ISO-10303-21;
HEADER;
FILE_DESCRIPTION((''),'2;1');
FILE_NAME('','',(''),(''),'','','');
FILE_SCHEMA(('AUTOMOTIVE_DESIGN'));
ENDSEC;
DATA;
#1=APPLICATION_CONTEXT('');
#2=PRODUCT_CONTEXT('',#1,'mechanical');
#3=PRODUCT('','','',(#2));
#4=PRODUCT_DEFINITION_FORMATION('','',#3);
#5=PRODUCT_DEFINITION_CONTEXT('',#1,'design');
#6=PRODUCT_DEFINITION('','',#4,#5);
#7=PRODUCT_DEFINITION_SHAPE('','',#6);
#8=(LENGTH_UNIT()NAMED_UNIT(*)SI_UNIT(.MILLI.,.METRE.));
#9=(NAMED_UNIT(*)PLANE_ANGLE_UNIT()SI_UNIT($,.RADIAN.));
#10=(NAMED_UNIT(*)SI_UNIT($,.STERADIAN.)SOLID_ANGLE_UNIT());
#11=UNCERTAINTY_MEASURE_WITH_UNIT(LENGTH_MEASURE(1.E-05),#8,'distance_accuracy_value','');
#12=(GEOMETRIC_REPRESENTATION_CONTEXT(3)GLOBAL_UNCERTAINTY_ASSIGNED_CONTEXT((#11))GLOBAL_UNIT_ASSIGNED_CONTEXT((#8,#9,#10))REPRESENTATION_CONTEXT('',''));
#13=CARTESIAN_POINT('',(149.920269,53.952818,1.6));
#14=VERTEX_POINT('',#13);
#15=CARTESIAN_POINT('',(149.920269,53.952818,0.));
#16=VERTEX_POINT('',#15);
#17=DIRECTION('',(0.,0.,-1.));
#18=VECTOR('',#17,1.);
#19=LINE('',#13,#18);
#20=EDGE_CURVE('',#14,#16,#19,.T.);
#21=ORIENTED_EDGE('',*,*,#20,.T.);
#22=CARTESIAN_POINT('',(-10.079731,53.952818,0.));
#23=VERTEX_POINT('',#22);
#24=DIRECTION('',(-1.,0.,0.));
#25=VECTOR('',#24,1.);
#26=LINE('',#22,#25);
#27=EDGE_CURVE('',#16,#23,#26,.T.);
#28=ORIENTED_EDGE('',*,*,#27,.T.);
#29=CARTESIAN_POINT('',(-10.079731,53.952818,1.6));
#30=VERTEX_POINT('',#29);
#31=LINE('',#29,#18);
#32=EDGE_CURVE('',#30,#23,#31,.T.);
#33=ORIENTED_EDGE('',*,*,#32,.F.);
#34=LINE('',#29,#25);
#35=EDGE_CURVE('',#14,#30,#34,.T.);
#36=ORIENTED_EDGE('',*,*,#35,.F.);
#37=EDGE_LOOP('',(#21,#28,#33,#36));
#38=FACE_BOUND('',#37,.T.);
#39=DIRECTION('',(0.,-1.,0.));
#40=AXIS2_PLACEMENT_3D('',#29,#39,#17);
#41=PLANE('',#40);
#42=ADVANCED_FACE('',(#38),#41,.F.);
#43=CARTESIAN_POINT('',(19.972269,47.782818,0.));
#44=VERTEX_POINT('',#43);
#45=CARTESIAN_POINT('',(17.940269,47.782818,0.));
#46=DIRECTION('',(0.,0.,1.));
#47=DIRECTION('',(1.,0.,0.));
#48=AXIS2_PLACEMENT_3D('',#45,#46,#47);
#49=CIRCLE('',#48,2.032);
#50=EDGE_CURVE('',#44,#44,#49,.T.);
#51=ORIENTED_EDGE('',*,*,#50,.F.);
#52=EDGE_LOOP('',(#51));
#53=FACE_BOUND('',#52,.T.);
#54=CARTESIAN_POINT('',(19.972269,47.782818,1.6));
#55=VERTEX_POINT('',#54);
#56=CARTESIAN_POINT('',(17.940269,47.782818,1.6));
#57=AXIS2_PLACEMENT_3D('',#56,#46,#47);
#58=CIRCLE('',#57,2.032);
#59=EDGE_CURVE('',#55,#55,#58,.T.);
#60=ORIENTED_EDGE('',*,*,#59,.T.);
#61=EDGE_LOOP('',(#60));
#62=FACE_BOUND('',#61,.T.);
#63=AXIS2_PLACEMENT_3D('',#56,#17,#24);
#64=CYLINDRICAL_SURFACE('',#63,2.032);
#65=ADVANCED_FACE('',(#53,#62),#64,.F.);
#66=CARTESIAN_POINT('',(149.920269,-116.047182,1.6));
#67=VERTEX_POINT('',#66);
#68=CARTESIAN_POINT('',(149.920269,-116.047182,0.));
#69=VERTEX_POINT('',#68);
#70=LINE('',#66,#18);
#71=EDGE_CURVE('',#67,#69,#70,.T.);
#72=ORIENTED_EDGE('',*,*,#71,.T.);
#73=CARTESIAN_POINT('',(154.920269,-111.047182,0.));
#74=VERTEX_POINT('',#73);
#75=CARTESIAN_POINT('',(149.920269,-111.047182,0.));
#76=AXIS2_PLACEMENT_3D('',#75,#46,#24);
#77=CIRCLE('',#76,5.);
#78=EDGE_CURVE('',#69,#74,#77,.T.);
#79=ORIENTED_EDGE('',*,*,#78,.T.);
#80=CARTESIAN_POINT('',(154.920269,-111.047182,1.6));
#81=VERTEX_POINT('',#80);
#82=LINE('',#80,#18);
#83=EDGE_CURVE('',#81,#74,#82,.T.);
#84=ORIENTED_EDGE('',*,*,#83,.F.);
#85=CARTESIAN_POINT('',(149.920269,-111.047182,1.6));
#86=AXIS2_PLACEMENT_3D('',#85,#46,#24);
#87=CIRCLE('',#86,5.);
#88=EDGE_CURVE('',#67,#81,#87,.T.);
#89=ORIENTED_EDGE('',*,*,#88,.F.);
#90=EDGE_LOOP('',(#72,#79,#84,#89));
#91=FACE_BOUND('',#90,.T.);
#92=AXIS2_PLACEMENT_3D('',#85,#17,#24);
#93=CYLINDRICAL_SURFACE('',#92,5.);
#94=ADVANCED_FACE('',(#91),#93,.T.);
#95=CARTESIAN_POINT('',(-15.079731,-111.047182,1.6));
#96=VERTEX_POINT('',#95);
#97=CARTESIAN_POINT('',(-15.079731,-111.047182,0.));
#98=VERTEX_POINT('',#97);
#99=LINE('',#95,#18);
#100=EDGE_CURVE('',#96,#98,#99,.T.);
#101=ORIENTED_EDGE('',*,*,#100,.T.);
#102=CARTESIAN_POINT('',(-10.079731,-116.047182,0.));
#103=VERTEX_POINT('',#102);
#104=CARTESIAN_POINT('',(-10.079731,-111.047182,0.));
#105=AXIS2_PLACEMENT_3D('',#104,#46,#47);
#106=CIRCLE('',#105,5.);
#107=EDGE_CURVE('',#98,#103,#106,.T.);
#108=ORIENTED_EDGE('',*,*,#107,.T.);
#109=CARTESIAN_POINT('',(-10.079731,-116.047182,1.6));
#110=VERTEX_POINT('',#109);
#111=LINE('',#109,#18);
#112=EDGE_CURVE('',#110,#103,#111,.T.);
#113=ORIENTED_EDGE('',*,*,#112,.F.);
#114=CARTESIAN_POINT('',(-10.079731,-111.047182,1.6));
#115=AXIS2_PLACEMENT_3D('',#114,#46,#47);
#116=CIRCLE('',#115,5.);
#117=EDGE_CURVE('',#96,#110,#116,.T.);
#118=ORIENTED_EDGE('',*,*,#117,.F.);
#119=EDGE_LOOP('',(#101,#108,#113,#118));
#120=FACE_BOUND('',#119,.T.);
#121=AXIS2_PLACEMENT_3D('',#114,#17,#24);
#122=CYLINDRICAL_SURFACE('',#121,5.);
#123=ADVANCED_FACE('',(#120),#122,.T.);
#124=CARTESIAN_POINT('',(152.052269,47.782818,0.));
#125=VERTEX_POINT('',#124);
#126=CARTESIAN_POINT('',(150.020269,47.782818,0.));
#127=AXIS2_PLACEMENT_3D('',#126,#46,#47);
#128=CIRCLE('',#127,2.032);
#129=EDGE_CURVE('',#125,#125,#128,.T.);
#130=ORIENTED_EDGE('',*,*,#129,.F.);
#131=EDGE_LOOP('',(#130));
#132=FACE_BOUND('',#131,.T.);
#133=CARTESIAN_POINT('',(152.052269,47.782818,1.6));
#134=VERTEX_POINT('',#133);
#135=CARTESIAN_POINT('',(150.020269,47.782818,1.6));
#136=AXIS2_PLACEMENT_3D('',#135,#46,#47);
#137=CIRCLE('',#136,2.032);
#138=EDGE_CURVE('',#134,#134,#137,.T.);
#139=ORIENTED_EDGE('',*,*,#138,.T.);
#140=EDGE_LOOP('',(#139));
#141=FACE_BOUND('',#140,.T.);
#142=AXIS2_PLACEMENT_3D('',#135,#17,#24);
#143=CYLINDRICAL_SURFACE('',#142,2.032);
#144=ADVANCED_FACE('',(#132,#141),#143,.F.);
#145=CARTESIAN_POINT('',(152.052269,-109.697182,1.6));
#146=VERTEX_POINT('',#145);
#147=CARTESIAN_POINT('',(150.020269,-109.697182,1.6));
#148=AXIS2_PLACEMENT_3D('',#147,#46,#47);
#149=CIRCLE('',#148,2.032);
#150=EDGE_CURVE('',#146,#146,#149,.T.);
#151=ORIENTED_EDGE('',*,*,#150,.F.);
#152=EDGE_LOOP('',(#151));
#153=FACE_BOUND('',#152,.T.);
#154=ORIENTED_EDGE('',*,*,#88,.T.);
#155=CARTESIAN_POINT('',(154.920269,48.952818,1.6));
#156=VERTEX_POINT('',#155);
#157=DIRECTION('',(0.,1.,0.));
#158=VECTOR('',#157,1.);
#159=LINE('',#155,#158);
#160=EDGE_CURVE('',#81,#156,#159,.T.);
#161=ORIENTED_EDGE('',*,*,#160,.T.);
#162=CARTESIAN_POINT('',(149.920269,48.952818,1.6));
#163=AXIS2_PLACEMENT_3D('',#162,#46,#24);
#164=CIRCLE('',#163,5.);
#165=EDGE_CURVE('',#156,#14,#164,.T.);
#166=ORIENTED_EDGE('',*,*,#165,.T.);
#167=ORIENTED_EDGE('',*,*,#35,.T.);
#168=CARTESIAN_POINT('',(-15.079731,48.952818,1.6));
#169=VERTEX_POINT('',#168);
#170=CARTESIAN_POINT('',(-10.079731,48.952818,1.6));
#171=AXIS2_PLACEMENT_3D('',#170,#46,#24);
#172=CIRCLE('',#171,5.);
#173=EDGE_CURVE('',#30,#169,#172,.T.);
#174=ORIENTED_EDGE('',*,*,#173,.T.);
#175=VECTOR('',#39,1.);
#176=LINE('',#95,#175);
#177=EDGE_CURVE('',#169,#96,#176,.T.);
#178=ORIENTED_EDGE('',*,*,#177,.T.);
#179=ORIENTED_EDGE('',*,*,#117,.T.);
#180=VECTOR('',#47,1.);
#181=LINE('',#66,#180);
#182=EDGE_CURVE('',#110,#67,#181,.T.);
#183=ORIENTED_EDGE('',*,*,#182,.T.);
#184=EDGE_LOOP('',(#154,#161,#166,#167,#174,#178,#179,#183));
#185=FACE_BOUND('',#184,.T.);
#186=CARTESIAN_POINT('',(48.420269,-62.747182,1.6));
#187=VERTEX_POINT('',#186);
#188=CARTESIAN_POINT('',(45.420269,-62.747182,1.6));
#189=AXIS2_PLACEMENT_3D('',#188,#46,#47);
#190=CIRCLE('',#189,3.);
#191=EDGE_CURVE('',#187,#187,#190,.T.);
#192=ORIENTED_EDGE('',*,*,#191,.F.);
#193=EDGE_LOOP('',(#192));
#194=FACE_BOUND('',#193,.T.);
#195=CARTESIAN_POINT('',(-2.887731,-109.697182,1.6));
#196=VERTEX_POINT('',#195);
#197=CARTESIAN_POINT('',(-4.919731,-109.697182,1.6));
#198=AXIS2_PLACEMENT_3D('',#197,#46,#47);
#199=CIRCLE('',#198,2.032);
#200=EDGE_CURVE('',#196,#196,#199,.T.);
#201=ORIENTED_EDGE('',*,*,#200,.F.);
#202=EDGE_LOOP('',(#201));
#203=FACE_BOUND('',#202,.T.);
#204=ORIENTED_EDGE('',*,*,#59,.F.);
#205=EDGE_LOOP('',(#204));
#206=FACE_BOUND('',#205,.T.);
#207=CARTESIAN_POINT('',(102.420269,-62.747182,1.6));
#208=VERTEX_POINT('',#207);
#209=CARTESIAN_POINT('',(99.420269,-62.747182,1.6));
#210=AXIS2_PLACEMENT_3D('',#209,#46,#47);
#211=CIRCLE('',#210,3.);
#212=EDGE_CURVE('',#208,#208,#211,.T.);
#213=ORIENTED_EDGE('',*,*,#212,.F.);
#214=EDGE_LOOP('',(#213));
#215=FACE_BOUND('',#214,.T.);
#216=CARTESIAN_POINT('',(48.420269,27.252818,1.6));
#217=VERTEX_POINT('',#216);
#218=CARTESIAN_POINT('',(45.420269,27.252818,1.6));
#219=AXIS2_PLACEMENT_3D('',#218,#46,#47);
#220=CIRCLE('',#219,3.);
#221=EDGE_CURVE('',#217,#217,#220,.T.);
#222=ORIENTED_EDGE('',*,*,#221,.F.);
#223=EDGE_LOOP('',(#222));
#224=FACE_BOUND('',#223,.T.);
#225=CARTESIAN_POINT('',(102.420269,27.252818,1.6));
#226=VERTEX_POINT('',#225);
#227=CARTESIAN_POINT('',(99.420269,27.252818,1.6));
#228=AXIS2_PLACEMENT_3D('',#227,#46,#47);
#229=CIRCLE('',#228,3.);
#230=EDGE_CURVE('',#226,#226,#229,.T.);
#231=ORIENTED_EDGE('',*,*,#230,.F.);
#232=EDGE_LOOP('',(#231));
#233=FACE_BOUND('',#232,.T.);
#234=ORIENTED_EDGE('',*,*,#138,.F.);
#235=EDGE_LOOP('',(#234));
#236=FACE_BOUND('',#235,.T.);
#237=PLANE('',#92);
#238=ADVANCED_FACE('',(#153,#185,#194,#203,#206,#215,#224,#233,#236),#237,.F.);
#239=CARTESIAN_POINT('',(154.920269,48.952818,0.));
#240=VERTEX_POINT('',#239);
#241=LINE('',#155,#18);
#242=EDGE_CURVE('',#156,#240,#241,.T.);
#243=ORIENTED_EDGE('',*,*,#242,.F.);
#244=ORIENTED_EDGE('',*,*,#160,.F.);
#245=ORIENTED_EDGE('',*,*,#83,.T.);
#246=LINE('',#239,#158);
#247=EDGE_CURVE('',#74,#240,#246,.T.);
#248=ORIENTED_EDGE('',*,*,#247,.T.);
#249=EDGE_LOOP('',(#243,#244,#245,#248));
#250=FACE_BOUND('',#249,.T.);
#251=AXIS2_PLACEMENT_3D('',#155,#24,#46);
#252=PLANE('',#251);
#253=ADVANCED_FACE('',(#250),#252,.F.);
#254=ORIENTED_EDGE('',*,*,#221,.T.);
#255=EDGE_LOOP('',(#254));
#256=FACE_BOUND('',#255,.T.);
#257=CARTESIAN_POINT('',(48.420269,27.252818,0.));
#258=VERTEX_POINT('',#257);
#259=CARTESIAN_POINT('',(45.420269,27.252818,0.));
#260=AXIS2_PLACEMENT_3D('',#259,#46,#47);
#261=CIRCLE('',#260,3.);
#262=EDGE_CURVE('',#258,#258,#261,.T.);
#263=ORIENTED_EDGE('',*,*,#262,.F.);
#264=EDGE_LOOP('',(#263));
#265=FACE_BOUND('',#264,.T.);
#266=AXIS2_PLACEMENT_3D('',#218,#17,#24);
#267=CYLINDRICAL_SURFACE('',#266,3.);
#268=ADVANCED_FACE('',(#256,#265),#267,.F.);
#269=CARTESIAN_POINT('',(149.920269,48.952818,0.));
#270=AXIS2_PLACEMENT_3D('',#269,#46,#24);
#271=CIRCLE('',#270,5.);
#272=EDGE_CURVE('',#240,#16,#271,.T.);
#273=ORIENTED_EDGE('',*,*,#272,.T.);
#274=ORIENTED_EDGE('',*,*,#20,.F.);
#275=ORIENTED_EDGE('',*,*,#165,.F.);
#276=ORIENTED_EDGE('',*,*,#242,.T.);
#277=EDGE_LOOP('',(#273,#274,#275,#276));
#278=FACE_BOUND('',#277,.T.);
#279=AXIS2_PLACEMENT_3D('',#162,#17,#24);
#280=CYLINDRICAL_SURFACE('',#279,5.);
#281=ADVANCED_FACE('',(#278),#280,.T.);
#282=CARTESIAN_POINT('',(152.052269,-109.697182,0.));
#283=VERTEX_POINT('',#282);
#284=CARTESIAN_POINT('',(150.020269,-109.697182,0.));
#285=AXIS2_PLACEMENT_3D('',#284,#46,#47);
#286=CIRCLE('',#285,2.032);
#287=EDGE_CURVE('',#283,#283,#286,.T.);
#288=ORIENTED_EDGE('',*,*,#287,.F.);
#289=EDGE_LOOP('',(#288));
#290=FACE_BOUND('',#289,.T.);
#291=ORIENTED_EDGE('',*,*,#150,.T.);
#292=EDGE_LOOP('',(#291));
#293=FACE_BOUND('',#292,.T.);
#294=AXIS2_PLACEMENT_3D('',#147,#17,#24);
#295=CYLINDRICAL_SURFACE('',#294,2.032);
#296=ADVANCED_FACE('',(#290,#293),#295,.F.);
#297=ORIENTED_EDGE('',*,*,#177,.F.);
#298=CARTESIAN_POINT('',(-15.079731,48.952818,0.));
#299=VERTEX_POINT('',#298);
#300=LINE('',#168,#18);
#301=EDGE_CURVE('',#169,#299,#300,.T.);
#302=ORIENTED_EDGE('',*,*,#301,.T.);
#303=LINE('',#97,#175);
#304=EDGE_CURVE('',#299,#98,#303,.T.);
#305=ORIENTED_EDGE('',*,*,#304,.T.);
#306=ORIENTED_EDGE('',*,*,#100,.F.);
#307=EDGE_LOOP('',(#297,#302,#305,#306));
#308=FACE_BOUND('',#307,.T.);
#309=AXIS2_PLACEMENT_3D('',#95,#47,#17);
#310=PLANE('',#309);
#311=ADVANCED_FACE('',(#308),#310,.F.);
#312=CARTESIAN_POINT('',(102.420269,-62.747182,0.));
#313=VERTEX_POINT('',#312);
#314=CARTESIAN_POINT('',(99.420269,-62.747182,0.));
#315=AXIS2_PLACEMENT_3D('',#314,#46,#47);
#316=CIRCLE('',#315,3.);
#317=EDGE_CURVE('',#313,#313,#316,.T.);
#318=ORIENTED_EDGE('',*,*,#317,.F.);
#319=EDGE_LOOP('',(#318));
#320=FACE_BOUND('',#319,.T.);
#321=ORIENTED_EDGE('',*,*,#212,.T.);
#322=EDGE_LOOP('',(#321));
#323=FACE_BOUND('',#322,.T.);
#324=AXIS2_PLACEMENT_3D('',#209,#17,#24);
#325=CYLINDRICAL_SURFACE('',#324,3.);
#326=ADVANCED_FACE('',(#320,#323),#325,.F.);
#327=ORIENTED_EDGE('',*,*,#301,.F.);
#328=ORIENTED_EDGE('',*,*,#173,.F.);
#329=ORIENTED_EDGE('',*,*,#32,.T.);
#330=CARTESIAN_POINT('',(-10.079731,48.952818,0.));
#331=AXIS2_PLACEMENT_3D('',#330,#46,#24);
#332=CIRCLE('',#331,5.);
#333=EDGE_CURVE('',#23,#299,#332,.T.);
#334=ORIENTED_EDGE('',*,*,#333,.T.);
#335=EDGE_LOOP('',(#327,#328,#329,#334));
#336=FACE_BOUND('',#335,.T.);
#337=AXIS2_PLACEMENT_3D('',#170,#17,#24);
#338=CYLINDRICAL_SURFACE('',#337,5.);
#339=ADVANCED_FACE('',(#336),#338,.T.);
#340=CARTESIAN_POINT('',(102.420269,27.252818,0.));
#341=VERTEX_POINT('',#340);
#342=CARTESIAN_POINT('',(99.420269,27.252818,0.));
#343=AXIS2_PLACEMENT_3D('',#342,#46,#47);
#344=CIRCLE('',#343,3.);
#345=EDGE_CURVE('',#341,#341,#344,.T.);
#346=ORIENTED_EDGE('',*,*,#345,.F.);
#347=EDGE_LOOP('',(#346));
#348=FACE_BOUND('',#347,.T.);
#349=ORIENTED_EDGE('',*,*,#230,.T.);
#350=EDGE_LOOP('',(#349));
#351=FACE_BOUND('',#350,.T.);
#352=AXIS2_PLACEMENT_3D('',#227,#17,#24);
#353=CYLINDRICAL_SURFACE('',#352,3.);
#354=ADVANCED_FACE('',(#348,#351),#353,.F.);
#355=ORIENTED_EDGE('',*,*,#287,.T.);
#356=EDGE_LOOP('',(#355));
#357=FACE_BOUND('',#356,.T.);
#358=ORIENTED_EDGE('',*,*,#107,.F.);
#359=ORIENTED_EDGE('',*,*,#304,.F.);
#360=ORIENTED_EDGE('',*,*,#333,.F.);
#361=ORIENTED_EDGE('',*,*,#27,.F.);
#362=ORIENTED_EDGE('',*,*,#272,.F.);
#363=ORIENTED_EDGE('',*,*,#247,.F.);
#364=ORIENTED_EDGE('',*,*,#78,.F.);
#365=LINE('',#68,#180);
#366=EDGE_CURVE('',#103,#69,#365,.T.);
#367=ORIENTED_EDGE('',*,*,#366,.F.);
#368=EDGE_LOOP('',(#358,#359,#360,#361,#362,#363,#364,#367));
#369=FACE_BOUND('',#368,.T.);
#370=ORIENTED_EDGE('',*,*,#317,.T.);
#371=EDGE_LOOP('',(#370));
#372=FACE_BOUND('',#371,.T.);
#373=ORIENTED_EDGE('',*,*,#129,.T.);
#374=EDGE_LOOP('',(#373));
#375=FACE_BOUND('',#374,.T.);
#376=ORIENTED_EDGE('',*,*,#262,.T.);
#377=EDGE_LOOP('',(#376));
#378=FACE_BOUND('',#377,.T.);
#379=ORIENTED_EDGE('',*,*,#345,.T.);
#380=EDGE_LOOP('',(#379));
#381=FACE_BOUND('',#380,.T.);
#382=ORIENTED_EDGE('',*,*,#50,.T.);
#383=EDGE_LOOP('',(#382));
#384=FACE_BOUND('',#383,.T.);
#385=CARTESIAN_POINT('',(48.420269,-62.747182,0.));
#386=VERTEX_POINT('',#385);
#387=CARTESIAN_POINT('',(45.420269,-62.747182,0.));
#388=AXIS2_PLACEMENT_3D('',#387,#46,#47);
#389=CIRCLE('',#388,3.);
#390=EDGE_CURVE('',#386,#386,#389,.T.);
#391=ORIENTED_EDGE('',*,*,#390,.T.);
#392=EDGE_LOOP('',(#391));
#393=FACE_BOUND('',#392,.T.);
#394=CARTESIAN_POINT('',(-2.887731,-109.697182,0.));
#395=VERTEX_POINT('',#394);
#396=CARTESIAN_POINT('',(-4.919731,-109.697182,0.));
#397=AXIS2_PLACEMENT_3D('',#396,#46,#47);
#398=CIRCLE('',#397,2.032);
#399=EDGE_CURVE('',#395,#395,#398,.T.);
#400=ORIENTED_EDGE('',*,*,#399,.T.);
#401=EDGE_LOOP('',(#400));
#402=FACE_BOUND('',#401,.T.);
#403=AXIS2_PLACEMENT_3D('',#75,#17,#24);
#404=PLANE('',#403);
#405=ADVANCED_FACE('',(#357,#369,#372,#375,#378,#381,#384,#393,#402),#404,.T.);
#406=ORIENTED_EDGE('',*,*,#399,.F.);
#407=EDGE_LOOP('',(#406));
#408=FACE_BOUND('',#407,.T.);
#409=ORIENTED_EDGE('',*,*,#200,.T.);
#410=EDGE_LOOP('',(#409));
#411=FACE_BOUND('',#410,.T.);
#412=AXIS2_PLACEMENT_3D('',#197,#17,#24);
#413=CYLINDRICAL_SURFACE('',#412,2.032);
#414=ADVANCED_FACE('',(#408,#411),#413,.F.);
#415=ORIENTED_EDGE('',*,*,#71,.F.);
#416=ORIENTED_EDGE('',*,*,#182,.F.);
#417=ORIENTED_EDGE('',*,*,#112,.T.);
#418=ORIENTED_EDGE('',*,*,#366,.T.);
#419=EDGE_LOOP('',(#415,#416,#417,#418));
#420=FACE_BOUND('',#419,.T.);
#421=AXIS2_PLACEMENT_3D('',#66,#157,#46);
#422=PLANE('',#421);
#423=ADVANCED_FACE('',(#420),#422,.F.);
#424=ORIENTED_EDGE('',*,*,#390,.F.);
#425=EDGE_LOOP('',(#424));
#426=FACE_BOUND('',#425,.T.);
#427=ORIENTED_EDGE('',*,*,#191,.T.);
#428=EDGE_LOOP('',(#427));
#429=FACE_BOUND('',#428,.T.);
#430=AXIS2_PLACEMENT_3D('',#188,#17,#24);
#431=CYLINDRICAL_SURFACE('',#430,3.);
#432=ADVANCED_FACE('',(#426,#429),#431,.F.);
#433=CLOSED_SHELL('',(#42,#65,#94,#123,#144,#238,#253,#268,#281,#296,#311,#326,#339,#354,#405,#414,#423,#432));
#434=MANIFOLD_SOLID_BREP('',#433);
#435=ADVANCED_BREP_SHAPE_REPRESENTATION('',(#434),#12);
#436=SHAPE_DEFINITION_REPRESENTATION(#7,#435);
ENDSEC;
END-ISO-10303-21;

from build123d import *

# Parameters (mm, degrees)
ESQUISSE1_R        = 2.032
ESQUISSE1_R_2      = 3
BOSS_EXTRU_1_DEPTH = 1.6


with BuildPart() as part:
    # Esquisse1 → Boss.-Extru.1 (new body)
    with BuildSketch(Plane.XY):
        with BuildLine():
            Line((-15.079731492, -111.047181826), (-15.079731492, 48.952818174))
            ThreePointArc((-15.079731492, 48.952818174), (-13.615265398, 52.48835208), (-10.079731492, 53.952818174))
            Line((-10.079731492, 53.952818174), (149.920268508, 53.952818174))
            ThreePointArc((149.920268508, 53.952818174), (153.455802414, 52.48835208), (154.920268508, 48.952818174))
            Line((154.920268508, 48.952818174), (154.920268508, -111.047181826))
            ThreePointArc((154.920268508, -111.047181826), (153.455802414, -114.582715732), (149.920268508, -116.047181826))
            Line((149.920268508, -116.047181826), (-10.079731492, -116.047181826))
            ThreePointArc((-10.079731492, -116.047181826), (-13.615265398, -114.582715732), (-15.079731492, -111.047181826))
        make_face()
        with Locations((-4.919731492, -109.697181826)):
            Circle(ESQUISSE1_R, mode=Mode.SUBTRACT)
        with Locations((17.940268508, 47.782818174)):
            Circle(ESQUISSE1_R, mode=Mode.SUBTRACT)
        with Locations((150.020268508, 47.782818174)):
            Circle(ESQUISSE1_R, mode=Mode.SUBTRACT)
        with Locations((150.020268508, -109.697181826)):
            Circle(ESQUISSE1_R, mode=Mode.SUBTRACT)
        with Locations((45.420268508, -62.747181826)):
            Circle(ESQUISSE1_R_2, mode=Mode.SUBTRACT)
        with Locations((45.420268508, 27.252818174)):
            Circle(ESQUISSE1_R_2, mode=Mode.SUBTRACT)
        with Locations((99.420268508, 27.252818174)):
            Circle(ESQUISSE1_R_2, mode=Mode.SUBTRACT)
        with Locations((99.420268508, -62.747181826)):
            Circle(ESQUISSE1_R_2, mode=Mode.SUBTRACT)
    extrude(amount=BOSS_EXTRU_1_DEPTH)


solid = part.part
